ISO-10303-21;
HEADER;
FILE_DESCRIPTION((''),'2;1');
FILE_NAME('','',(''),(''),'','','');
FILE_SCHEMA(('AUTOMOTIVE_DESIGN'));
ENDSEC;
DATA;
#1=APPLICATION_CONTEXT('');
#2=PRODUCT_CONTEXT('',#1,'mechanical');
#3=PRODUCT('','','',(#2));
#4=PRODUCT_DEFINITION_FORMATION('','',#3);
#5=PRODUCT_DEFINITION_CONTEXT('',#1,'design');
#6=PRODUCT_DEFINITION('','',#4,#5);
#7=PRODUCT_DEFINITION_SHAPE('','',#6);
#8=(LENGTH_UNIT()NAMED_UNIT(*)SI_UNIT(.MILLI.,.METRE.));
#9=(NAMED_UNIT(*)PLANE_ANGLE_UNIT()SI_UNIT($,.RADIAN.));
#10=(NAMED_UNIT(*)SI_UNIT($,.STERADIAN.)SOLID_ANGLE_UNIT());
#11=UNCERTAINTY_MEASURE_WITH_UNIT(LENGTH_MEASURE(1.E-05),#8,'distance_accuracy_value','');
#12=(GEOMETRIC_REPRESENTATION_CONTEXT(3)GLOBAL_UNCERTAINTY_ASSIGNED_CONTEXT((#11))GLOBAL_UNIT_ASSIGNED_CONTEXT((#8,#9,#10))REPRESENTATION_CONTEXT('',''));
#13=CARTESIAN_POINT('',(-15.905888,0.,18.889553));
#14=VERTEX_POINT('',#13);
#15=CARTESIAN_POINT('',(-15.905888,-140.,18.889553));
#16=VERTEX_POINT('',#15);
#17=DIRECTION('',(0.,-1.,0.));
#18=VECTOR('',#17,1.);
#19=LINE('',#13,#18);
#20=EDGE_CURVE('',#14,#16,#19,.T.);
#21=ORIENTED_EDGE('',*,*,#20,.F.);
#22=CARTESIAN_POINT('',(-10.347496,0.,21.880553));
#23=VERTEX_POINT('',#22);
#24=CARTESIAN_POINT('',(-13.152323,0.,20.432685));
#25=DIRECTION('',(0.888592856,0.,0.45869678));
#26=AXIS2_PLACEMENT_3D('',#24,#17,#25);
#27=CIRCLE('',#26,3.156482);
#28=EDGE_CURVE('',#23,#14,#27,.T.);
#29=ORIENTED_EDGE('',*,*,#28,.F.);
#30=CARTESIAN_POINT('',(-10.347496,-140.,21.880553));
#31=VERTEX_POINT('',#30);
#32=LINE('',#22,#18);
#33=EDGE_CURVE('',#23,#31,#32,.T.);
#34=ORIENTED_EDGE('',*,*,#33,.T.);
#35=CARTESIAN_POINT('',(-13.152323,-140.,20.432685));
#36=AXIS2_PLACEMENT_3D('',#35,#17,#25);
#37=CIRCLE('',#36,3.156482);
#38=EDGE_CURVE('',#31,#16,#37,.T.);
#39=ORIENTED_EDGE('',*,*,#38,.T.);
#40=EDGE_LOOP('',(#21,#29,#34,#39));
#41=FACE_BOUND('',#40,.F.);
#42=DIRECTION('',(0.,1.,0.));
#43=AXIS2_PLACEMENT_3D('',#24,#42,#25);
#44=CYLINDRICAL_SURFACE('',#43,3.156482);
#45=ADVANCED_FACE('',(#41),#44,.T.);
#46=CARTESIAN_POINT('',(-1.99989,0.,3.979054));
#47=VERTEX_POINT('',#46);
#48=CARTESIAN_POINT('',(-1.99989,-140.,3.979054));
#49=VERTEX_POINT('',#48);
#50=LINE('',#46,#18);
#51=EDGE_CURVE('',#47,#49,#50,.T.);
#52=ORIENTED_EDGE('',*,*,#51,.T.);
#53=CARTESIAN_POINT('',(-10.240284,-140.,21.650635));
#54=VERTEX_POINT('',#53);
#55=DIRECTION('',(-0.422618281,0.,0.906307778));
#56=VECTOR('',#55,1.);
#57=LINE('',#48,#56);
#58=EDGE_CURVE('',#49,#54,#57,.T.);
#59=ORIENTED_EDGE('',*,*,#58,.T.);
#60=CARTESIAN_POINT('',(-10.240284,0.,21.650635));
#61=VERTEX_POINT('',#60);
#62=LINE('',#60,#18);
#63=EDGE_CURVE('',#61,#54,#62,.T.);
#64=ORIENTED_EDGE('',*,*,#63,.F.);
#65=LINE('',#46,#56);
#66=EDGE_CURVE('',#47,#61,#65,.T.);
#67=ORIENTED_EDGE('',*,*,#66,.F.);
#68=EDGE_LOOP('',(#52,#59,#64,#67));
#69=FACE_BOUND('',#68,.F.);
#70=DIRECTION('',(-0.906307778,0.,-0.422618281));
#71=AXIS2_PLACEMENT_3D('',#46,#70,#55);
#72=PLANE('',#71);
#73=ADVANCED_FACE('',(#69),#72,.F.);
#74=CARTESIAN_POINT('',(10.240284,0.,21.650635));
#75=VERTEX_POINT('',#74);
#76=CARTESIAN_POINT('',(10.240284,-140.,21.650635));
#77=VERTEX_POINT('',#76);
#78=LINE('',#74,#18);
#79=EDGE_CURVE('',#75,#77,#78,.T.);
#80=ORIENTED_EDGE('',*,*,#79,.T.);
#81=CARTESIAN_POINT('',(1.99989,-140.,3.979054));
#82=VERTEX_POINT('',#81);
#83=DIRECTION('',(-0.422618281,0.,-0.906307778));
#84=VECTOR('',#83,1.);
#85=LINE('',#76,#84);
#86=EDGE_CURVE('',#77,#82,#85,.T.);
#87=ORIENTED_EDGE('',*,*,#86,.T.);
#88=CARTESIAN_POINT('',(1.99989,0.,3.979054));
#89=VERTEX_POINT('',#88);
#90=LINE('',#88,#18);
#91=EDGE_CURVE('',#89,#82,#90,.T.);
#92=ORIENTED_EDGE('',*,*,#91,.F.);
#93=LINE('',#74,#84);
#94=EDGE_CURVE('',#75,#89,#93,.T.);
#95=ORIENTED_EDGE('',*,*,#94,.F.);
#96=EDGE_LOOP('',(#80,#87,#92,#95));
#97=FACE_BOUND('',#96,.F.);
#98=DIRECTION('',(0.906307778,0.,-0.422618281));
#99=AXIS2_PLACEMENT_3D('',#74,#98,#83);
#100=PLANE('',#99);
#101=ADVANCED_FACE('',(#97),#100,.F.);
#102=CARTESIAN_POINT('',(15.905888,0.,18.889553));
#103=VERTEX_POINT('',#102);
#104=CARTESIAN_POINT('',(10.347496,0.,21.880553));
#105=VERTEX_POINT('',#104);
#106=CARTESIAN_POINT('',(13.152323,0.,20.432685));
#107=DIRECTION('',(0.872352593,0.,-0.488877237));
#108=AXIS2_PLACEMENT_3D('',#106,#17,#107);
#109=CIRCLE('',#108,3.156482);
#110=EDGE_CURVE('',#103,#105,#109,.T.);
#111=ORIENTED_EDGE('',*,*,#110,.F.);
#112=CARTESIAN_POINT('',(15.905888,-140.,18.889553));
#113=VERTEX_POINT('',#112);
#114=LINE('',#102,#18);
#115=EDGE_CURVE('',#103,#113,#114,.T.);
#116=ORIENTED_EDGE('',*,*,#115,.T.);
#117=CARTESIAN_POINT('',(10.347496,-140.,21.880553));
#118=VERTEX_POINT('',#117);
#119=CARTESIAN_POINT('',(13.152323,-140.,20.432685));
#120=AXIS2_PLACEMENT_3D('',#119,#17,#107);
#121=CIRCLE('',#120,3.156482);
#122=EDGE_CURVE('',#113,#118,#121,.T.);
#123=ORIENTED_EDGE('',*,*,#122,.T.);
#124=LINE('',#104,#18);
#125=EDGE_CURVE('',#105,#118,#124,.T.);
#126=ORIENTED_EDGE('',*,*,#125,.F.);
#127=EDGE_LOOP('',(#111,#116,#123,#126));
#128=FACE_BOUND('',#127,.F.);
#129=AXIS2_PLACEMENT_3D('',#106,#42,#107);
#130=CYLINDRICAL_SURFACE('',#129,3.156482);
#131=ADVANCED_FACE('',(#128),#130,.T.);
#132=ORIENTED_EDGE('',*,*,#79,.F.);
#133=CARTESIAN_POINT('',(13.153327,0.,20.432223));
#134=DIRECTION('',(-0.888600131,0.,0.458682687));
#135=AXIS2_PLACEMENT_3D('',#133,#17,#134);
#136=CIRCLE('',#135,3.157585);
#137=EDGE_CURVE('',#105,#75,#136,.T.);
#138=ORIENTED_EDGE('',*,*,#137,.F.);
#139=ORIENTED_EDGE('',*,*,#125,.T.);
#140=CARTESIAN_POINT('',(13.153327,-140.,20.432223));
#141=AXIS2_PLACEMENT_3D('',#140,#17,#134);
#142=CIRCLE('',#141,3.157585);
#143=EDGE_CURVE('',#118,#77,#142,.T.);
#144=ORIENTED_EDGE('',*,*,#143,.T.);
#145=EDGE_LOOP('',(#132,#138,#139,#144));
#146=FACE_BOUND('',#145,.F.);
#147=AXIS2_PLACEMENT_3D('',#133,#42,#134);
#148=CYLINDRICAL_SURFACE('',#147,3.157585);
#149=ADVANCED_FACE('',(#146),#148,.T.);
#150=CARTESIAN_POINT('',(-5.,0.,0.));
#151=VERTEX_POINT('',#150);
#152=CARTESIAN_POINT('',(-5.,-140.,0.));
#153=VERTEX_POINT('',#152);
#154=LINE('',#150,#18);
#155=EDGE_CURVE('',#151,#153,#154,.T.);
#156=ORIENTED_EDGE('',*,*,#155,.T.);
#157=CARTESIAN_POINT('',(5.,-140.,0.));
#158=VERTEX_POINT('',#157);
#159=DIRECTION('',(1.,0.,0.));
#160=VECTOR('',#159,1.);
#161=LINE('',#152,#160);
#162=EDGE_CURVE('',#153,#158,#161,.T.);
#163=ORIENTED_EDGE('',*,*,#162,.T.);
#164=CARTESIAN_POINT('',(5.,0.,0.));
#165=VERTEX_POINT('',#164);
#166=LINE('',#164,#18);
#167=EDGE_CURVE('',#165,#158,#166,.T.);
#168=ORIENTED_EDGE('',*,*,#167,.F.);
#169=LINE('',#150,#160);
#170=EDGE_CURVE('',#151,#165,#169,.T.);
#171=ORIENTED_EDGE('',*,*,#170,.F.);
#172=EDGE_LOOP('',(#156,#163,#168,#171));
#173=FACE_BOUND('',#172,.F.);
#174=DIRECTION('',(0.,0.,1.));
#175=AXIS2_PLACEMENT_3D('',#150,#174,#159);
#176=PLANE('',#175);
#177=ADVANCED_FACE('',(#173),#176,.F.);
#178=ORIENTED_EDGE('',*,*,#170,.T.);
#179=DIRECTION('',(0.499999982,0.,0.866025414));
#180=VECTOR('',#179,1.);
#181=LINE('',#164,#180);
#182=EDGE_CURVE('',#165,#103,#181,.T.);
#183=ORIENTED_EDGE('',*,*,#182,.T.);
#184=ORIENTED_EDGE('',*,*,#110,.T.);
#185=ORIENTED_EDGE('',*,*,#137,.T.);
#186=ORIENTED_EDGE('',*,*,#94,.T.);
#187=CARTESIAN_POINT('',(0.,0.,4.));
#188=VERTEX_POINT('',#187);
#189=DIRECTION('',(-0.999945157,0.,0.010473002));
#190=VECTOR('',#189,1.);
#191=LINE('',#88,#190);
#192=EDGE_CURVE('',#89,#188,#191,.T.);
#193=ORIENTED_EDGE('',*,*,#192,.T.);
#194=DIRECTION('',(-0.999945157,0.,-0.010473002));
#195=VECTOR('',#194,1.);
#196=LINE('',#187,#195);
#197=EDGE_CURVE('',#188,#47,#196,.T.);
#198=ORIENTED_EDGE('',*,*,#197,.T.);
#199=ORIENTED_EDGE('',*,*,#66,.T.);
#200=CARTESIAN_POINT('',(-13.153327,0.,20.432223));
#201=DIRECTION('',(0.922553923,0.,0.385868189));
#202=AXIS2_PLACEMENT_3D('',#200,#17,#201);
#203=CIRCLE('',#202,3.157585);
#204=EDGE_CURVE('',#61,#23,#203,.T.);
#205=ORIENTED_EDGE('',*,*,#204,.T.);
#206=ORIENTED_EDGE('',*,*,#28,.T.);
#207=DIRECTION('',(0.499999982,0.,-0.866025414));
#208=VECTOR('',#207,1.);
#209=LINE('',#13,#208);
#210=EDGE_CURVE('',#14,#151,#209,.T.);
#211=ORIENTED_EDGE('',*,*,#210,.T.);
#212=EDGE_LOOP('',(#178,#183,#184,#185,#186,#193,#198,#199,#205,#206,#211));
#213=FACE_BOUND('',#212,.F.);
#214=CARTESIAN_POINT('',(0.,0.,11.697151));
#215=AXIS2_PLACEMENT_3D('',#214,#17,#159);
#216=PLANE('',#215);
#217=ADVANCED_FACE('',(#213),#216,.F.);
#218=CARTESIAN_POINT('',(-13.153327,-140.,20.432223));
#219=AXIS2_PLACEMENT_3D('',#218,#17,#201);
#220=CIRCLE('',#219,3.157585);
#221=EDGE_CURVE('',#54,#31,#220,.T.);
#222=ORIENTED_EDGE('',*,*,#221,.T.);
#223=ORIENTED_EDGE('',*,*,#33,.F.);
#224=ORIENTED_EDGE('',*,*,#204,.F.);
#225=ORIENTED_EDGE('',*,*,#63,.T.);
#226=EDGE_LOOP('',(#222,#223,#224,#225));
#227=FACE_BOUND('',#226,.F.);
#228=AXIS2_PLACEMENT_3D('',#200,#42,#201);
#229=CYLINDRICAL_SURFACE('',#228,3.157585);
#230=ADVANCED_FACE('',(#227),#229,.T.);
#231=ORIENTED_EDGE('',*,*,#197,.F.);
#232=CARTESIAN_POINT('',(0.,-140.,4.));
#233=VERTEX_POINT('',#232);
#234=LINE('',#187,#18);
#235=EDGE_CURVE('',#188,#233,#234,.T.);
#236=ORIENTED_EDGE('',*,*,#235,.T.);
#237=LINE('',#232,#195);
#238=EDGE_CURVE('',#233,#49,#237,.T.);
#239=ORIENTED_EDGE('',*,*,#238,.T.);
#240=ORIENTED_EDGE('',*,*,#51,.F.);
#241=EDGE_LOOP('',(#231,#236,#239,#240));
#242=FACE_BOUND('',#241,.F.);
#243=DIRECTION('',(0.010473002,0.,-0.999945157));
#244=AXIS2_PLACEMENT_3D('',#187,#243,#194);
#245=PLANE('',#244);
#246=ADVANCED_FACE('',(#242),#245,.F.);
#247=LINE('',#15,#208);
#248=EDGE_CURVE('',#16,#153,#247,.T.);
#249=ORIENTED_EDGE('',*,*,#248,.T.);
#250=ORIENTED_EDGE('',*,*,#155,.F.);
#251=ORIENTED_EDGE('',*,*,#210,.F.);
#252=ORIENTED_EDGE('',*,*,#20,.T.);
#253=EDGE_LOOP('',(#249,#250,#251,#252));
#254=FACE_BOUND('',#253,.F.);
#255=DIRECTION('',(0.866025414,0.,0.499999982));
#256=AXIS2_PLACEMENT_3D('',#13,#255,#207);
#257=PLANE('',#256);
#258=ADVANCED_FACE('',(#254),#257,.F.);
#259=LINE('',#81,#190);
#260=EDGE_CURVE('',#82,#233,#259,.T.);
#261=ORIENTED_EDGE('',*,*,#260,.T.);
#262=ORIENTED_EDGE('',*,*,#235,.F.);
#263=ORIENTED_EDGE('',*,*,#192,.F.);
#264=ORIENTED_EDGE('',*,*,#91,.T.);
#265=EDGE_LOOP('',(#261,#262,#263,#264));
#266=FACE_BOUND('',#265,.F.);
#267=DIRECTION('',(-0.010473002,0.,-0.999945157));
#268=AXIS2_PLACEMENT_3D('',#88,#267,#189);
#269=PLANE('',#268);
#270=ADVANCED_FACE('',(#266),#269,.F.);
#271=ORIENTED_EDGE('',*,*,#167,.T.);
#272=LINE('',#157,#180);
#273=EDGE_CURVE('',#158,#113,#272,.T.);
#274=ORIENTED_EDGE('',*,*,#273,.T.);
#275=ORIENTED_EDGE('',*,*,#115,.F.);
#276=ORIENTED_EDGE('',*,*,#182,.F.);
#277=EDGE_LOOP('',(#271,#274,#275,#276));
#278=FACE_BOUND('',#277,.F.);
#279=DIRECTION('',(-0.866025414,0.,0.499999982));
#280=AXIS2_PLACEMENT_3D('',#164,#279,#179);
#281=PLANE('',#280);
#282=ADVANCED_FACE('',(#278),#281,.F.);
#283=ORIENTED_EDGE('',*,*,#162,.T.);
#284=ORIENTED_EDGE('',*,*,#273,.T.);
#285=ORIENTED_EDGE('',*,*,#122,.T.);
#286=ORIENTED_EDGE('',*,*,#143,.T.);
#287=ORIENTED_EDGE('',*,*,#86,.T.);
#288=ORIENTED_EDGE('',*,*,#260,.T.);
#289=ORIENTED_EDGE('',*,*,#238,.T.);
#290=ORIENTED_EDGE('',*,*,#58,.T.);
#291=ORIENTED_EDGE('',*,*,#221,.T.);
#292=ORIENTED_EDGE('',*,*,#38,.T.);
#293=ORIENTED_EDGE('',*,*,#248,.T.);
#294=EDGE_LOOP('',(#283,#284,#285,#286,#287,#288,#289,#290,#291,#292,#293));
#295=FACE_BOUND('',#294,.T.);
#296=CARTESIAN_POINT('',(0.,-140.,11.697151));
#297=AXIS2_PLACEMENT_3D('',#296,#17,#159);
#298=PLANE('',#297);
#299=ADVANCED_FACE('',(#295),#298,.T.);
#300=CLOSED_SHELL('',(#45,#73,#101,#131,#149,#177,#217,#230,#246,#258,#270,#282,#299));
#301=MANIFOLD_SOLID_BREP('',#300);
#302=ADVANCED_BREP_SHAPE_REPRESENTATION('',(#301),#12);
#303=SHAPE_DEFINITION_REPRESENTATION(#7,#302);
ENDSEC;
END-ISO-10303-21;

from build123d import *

# Parameters (mm, degrees)
F1_DEPTH = 140


with BuildPart() as f1:
    # F0 (on Front) → F1 (new body)
    with BuildSketch(Plane.XZ):
        with BuildLine():
            Line((-5, 0), (0, 0))
            Line((0, 0), (5, 0))
            Line((5, 0), (15.905888, 18.889553))
            ThreePointArc((15.905888, 18.889553), (14.648043, 23.212289), (10.347496, 21.880553))
            Line((10.347496, 21.880553), (10.240284, 21.650635))
            Line((10.240284, 21.650635), (1.99989, 3.979054))
            Line((1.99989, 3.979054), (0, 4))
            Line((0, 4), (-1.99989, 3.979054))
            Line((-1.99989, 3.979054), (-10.240284, 21.650635))
            Line((-10.240284, 21.650635), (-10.347496, 21.880553))
            ThreePointArc((-10.347496, 21.880553), (-14.648043, 23.212289), (-15.905888, 18.889553))
            Line((-15.905888, 18.889553), (-5, 0))
        make_face()
        with BuildLine():
            Line((10.240284, 21.650635), (10.347496, 21.880553))
            ThreePointArc((10.347496, 21.880553), (10.29158, 21.766671), (10.240284, 21.650635))
        make_face()
        with BuildLine():
            ThreePointArc((-10.240284, 21.650635), (-10.29158, 21.766671), (-10.347496, 21.880553))
            Line((-10.347496, 21.880553), (-10.240284, 21.650635))
        make_face()
    extrude(amount=F1_DEPTH)


solid = f1.part
